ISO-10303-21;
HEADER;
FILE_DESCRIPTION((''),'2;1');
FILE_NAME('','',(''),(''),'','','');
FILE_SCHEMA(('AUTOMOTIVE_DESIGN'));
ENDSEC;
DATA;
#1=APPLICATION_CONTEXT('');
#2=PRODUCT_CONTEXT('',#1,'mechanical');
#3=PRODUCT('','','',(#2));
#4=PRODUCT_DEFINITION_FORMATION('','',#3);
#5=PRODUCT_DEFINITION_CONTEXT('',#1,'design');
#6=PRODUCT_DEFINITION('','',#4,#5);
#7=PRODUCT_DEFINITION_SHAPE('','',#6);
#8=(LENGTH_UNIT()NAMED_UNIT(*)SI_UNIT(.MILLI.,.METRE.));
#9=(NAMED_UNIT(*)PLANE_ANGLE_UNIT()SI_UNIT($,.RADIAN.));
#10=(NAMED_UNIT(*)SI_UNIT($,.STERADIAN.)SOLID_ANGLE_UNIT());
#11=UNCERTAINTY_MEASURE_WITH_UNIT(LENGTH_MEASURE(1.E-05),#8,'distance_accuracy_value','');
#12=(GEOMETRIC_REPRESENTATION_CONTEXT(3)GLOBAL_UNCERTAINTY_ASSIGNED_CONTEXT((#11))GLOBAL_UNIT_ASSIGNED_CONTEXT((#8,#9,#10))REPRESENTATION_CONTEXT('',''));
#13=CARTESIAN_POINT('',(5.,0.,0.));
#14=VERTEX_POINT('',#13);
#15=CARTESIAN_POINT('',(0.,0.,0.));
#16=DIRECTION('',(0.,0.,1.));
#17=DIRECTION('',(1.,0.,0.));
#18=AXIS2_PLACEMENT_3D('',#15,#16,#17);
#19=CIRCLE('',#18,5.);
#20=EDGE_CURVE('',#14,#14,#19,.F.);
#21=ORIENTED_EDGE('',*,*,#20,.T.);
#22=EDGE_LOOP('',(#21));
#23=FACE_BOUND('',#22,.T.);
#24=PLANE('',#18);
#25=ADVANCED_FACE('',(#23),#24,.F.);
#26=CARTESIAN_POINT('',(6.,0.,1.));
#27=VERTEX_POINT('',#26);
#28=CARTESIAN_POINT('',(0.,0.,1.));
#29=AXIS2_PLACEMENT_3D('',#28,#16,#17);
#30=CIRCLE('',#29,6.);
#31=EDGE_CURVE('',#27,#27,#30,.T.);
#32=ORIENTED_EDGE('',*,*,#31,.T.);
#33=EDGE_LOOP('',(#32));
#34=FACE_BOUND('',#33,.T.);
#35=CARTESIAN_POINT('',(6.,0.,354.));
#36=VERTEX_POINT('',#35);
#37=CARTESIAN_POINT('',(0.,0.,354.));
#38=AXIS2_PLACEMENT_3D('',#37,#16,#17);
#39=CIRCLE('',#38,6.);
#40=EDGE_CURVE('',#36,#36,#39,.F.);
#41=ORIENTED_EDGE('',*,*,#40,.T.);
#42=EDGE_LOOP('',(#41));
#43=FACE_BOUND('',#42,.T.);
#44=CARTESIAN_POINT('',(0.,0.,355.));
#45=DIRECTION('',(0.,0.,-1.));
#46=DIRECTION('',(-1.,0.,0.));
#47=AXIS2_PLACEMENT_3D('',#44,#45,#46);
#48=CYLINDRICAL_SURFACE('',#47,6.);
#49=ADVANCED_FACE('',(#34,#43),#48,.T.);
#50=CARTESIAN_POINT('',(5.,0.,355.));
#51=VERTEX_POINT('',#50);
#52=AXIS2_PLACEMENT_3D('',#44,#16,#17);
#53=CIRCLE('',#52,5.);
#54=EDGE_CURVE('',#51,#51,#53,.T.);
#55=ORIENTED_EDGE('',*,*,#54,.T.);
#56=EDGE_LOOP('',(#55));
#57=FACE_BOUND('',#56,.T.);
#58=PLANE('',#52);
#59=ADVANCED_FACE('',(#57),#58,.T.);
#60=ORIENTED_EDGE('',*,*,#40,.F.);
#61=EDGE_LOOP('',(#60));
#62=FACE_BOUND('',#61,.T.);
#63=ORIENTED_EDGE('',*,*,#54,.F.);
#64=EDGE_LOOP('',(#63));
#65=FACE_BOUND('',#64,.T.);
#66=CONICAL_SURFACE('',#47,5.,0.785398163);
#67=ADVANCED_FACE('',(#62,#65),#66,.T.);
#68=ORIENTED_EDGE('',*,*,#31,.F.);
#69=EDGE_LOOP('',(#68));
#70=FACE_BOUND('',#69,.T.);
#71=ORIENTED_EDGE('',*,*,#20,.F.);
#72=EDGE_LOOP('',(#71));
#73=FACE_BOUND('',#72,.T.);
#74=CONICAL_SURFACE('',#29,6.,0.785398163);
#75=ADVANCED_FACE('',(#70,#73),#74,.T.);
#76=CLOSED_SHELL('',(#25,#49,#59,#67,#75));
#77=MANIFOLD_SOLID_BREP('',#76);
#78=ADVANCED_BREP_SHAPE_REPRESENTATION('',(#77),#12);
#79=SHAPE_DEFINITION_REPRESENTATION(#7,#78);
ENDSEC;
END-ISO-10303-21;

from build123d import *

# Parameters (mm, degrees)
SCHIZZO1_R                   = 6
ESTRUSIONE_ESTRUSIONE1_DEPTH = 355
SMUSSO1_SIZE                 = 1


with BuildPart() as part:
    # Schizzo1 → Estrusione-Estrusione1 (new body)
    with BuildSketch(Plane.XY):
        Circle(SCHIZZO1_R)
    extrude(amount=ESTRUSIONE_ESTRUSIONE1_DEPTH)

    # Smusso1
    smusso1_edges = [part.edges().sort_by_distance(p)[0] for p in [
        (-6, 0, 0),
        (-6, 0, 355),
    ]]
    chamfer(smusso1_edges, length=SMUSSO1_SIZE)


solid = part.part
